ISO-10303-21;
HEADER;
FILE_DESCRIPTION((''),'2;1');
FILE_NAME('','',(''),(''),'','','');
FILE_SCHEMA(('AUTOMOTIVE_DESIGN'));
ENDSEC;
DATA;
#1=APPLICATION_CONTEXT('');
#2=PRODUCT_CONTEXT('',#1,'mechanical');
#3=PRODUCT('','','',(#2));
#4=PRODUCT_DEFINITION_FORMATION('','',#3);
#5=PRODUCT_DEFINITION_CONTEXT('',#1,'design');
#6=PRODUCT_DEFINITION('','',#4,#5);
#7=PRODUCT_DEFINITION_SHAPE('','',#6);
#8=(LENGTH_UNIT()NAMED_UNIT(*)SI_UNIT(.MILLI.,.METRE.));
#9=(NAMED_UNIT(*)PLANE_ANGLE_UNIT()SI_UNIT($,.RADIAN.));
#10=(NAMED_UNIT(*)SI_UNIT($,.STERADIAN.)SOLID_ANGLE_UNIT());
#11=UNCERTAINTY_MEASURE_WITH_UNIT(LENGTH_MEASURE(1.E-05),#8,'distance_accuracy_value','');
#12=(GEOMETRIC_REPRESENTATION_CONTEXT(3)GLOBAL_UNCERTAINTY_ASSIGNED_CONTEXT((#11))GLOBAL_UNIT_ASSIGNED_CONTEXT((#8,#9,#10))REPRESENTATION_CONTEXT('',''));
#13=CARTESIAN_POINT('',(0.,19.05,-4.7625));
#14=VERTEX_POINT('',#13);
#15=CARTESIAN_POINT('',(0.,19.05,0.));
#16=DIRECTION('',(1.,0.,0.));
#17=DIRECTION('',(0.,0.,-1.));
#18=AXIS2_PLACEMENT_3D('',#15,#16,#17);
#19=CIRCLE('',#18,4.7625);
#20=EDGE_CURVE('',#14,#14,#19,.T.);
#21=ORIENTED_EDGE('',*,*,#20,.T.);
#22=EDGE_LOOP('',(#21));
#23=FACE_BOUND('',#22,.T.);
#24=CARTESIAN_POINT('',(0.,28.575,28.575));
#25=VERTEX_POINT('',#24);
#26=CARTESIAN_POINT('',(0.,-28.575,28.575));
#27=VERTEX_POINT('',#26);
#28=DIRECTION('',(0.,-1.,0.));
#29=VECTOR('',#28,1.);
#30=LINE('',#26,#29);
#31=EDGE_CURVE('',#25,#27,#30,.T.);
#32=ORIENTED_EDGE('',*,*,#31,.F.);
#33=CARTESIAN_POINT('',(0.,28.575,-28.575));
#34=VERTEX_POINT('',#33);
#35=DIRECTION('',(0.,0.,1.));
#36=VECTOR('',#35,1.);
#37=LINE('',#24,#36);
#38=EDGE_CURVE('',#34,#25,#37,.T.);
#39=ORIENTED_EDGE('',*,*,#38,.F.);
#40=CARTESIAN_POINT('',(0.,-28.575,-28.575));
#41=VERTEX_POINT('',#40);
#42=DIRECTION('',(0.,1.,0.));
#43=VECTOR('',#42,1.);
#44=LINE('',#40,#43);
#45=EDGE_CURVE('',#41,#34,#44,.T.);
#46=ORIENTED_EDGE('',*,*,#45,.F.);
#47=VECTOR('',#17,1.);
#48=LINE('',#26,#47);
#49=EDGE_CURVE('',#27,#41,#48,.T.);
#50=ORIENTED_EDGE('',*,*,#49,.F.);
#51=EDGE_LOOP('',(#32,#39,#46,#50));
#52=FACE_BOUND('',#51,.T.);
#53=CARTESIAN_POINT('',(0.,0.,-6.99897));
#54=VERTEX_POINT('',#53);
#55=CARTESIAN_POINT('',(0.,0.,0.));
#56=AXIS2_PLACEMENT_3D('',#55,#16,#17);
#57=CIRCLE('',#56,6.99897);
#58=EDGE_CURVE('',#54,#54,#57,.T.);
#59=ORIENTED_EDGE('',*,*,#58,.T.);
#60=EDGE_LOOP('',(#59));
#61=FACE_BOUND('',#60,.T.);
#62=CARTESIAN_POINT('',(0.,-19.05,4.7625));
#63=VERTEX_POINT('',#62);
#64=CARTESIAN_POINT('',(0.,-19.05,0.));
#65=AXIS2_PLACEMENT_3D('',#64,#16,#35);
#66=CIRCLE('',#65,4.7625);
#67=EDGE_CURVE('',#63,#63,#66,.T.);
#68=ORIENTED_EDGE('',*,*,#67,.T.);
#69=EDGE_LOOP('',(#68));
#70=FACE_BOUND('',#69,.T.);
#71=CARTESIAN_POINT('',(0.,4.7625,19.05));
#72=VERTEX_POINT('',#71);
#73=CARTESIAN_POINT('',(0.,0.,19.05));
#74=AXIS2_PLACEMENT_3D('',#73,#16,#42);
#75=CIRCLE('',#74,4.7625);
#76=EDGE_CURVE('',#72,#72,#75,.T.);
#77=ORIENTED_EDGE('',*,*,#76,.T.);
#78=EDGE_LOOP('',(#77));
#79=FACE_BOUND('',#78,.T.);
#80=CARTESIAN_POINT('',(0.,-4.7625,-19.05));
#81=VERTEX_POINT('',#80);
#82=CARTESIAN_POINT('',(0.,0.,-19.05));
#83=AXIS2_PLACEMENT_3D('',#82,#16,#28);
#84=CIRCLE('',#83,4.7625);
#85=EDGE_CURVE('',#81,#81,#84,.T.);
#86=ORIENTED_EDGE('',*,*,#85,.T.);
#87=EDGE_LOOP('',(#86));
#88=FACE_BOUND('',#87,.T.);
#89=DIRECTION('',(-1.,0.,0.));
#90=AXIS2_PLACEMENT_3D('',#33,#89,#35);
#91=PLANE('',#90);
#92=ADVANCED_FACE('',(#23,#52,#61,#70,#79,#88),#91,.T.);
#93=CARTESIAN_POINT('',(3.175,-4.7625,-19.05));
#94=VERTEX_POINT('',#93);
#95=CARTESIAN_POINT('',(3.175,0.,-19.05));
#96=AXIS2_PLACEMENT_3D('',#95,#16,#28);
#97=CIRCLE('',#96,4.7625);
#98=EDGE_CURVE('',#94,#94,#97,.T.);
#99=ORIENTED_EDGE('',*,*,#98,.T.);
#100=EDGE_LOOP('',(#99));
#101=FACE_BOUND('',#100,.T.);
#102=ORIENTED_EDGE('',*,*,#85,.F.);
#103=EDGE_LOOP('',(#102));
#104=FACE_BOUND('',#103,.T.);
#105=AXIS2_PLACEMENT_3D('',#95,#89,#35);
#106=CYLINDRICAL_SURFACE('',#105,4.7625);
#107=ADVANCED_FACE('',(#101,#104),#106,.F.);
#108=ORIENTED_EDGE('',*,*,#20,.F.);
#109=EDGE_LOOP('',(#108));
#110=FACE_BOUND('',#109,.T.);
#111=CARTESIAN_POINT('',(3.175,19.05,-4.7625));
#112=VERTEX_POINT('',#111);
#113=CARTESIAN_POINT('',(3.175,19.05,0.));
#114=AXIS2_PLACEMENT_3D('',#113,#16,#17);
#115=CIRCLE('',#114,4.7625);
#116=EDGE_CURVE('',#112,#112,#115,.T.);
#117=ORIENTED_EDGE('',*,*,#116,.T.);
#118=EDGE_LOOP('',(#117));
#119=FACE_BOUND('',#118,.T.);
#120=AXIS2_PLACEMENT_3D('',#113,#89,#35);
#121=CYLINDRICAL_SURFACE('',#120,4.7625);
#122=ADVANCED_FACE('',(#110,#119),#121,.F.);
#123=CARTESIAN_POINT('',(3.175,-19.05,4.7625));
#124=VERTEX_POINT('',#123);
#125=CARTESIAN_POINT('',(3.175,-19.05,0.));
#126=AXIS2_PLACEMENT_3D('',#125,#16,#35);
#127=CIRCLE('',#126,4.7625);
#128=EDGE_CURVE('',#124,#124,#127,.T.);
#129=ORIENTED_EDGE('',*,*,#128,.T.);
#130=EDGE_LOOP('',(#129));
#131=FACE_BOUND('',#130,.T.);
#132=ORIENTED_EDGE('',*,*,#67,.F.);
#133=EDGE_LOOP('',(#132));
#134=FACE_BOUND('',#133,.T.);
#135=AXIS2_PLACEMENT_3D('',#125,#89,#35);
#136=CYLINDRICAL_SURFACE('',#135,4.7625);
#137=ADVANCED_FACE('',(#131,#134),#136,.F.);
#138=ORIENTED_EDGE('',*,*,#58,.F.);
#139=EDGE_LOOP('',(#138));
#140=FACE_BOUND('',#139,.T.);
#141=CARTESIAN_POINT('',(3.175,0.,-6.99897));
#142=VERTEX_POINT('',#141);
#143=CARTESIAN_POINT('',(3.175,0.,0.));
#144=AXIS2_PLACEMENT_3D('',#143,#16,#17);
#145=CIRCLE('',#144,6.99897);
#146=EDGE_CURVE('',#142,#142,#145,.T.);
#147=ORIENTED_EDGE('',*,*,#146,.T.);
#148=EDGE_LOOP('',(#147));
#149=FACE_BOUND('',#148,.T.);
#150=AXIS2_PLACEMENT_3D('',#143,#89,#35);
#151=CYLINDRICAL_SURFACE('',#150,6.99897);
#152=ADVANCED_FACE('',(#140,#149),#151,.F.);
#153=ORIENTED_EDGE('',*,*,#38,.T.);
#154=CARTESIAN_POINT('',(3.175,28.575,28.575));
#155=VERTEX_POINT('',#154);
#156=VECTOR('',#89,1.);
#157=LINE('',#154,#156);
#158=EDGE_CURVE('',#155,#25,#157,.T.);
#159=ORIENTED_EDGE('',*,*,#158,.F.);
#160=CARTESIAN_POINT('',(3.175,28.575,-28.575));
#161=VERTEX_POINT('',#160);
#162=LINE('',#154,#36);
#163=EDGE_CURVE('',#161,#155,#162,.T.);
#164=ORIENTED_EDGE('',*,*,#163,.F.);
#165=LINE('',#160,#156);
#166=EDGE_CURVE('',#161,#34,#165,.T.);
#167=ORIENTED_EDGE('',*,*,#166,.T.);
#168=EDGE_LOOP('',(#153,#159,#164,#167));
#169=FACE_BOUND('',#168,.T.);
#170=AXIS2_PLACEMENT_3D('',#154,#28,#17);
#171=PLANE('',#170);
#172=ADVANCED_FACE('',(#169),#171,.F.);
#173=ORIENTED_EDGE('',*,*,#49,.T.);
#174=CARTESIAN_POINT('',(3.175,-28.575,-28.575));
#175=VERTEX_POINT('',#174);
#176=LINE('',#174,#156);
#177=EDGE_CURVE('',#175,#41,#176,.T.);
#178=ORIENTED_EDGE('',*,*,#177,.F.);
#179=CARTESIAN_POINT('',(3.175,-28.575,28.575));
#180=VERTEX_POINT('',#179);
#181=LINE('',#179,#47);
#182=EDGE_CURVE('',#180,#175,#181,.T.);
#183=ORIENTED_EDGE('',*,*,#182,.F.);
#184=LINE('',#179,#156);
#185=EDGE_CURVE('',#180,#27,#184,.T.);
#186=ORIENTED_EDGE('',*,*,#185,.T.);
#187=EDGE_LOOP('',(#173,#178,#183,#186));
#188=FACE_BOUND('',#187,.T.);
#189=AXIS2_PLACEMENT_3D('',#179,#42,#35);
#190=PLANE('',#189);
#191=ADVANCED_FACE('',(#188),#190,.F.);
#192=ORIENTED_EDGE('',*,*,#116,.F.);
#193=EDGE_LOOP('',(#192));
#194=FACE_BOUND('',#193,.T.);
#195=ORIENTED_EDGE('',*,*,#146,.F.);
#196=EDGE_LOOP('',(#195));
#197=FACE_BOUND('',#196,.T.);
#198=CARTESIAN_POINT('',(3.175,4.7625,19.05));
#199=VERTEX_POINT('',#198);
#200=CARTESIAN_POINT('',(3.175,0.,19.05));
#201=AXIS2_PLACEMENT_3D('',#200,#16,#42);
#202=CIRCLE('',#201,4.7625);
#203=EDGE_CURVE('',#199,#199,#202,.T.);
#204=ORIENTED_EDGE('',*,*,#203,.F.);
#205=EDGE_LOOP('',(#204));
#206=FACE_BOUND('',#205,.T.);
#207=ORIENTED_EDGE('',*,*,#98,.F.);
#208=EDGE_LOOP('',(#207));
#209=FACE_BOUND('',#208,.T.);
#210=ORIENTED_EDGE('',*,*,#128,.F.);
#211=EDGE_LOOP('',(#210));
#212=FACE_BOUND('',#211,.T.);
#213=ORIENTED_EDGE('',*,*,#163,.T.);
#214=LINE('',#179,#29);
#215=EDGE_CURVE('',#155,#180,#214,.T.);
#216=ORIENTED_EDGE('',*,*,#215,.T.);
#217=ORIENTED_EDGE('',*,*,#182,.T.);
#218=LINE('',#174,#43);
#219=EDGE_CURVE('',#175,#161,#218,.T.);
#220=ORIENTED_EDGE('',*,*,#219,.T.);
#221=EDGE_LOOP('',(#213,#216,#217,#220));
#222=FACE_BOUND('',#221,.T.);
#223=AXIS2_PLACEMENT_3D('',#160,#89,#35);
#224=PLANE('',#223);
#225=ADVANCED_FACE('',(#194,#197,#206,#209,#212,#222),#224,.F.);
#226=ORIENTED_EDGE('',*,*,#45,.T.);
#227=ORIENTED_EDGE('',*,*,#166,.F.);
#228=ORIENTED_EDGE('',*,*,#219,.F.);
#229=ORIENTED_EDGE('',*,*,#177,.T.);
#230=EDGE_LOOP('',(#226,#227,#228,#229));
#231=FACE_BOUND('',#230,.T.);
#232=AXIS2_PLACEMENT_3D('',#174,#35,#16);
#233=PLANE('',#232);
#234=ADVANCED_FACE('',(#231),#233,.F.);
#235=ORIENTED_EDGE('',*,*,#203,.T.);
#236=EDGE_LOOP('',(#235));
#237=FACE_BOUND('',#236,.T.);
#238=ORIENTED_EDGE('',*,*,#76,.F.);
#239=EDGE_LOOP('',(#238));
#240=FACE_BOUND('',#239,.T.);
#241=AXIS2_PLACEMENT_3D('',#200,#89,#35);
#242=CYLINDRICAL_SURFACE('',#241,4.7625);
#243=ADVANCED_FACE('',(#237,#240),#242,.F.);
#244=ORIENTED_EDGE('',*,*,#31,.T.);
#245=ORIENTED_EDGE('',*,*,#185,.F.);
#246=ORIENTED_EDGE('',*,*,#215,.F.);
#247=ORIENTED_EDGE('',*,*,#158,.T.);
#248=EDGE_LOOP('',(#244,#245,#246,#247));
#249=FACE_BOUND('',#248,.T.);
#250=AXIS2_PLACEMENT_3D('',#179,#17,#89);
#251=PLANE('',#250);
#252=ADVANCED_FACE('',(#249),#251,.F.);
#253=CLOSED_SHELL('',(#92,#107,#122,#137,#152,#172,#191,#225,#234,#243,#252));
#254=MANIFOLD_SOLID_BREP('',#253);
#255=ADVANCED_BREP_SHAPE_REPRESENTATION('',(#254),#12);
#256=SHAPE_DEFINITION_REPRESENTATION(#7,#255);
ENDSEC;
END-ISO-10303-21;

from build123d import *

# Parameters (mm, degrees)
SKETCH1_W           = 57.15
SKETCH1_H           = 57.15
SKETCH1_R           = 6.99897
BOSS_EXTRUDE1_DEPTH = 3.175
SKETCH2_R           = 4.7625
CUT_EXTRUDE1_DEPTH  = 41.535686438
CIRPATTERN1_COUNT   = 4


with BuildPart() as part:
    # Sketch1 → Boss-Extrude1 (new body)
    with BuildSketch(Plane(origin=(0, 0, 0), x_dir=(0, 0, -1), z_dir=(1, 0, 0))):
        Rectangle(SKETCH1_W, SKETCH1_H)
        Circle(SKETCH1_R, mode=Mode.SUBTRACT)
    extrude(amount=BOSS_EXTRUDE1_DEPTH)

    # Sketch2 → Cut-Extrude1 (cut, through all)
    with BuildSketch(Plane(origin=(0, 0, 0), x_dir=(0, 0, -1), z_dir=(1, 0, 0))):
        with Locations((0, 19.05)):
            Circle(SKETCH2_R)
    cut_extrude1 = extrude(amount=CUT_EXTRUDE1_DEPTH, mode=Mode.SUBTRACT)

    # CirPattern1: Cut-Extrude1 ×4 about axis
    cirpattern1_axis = Axis((0, 0, 0), (1, 0, 0))
    for i in range(1, CIRPATTERN1_COUNT):
        add(cut_extrude1.rotate(cirpattern1_axis, i * 360 / CIRPATTERN1_COUNT), mode=Mode.SUBTRACT)


solid = part.part
